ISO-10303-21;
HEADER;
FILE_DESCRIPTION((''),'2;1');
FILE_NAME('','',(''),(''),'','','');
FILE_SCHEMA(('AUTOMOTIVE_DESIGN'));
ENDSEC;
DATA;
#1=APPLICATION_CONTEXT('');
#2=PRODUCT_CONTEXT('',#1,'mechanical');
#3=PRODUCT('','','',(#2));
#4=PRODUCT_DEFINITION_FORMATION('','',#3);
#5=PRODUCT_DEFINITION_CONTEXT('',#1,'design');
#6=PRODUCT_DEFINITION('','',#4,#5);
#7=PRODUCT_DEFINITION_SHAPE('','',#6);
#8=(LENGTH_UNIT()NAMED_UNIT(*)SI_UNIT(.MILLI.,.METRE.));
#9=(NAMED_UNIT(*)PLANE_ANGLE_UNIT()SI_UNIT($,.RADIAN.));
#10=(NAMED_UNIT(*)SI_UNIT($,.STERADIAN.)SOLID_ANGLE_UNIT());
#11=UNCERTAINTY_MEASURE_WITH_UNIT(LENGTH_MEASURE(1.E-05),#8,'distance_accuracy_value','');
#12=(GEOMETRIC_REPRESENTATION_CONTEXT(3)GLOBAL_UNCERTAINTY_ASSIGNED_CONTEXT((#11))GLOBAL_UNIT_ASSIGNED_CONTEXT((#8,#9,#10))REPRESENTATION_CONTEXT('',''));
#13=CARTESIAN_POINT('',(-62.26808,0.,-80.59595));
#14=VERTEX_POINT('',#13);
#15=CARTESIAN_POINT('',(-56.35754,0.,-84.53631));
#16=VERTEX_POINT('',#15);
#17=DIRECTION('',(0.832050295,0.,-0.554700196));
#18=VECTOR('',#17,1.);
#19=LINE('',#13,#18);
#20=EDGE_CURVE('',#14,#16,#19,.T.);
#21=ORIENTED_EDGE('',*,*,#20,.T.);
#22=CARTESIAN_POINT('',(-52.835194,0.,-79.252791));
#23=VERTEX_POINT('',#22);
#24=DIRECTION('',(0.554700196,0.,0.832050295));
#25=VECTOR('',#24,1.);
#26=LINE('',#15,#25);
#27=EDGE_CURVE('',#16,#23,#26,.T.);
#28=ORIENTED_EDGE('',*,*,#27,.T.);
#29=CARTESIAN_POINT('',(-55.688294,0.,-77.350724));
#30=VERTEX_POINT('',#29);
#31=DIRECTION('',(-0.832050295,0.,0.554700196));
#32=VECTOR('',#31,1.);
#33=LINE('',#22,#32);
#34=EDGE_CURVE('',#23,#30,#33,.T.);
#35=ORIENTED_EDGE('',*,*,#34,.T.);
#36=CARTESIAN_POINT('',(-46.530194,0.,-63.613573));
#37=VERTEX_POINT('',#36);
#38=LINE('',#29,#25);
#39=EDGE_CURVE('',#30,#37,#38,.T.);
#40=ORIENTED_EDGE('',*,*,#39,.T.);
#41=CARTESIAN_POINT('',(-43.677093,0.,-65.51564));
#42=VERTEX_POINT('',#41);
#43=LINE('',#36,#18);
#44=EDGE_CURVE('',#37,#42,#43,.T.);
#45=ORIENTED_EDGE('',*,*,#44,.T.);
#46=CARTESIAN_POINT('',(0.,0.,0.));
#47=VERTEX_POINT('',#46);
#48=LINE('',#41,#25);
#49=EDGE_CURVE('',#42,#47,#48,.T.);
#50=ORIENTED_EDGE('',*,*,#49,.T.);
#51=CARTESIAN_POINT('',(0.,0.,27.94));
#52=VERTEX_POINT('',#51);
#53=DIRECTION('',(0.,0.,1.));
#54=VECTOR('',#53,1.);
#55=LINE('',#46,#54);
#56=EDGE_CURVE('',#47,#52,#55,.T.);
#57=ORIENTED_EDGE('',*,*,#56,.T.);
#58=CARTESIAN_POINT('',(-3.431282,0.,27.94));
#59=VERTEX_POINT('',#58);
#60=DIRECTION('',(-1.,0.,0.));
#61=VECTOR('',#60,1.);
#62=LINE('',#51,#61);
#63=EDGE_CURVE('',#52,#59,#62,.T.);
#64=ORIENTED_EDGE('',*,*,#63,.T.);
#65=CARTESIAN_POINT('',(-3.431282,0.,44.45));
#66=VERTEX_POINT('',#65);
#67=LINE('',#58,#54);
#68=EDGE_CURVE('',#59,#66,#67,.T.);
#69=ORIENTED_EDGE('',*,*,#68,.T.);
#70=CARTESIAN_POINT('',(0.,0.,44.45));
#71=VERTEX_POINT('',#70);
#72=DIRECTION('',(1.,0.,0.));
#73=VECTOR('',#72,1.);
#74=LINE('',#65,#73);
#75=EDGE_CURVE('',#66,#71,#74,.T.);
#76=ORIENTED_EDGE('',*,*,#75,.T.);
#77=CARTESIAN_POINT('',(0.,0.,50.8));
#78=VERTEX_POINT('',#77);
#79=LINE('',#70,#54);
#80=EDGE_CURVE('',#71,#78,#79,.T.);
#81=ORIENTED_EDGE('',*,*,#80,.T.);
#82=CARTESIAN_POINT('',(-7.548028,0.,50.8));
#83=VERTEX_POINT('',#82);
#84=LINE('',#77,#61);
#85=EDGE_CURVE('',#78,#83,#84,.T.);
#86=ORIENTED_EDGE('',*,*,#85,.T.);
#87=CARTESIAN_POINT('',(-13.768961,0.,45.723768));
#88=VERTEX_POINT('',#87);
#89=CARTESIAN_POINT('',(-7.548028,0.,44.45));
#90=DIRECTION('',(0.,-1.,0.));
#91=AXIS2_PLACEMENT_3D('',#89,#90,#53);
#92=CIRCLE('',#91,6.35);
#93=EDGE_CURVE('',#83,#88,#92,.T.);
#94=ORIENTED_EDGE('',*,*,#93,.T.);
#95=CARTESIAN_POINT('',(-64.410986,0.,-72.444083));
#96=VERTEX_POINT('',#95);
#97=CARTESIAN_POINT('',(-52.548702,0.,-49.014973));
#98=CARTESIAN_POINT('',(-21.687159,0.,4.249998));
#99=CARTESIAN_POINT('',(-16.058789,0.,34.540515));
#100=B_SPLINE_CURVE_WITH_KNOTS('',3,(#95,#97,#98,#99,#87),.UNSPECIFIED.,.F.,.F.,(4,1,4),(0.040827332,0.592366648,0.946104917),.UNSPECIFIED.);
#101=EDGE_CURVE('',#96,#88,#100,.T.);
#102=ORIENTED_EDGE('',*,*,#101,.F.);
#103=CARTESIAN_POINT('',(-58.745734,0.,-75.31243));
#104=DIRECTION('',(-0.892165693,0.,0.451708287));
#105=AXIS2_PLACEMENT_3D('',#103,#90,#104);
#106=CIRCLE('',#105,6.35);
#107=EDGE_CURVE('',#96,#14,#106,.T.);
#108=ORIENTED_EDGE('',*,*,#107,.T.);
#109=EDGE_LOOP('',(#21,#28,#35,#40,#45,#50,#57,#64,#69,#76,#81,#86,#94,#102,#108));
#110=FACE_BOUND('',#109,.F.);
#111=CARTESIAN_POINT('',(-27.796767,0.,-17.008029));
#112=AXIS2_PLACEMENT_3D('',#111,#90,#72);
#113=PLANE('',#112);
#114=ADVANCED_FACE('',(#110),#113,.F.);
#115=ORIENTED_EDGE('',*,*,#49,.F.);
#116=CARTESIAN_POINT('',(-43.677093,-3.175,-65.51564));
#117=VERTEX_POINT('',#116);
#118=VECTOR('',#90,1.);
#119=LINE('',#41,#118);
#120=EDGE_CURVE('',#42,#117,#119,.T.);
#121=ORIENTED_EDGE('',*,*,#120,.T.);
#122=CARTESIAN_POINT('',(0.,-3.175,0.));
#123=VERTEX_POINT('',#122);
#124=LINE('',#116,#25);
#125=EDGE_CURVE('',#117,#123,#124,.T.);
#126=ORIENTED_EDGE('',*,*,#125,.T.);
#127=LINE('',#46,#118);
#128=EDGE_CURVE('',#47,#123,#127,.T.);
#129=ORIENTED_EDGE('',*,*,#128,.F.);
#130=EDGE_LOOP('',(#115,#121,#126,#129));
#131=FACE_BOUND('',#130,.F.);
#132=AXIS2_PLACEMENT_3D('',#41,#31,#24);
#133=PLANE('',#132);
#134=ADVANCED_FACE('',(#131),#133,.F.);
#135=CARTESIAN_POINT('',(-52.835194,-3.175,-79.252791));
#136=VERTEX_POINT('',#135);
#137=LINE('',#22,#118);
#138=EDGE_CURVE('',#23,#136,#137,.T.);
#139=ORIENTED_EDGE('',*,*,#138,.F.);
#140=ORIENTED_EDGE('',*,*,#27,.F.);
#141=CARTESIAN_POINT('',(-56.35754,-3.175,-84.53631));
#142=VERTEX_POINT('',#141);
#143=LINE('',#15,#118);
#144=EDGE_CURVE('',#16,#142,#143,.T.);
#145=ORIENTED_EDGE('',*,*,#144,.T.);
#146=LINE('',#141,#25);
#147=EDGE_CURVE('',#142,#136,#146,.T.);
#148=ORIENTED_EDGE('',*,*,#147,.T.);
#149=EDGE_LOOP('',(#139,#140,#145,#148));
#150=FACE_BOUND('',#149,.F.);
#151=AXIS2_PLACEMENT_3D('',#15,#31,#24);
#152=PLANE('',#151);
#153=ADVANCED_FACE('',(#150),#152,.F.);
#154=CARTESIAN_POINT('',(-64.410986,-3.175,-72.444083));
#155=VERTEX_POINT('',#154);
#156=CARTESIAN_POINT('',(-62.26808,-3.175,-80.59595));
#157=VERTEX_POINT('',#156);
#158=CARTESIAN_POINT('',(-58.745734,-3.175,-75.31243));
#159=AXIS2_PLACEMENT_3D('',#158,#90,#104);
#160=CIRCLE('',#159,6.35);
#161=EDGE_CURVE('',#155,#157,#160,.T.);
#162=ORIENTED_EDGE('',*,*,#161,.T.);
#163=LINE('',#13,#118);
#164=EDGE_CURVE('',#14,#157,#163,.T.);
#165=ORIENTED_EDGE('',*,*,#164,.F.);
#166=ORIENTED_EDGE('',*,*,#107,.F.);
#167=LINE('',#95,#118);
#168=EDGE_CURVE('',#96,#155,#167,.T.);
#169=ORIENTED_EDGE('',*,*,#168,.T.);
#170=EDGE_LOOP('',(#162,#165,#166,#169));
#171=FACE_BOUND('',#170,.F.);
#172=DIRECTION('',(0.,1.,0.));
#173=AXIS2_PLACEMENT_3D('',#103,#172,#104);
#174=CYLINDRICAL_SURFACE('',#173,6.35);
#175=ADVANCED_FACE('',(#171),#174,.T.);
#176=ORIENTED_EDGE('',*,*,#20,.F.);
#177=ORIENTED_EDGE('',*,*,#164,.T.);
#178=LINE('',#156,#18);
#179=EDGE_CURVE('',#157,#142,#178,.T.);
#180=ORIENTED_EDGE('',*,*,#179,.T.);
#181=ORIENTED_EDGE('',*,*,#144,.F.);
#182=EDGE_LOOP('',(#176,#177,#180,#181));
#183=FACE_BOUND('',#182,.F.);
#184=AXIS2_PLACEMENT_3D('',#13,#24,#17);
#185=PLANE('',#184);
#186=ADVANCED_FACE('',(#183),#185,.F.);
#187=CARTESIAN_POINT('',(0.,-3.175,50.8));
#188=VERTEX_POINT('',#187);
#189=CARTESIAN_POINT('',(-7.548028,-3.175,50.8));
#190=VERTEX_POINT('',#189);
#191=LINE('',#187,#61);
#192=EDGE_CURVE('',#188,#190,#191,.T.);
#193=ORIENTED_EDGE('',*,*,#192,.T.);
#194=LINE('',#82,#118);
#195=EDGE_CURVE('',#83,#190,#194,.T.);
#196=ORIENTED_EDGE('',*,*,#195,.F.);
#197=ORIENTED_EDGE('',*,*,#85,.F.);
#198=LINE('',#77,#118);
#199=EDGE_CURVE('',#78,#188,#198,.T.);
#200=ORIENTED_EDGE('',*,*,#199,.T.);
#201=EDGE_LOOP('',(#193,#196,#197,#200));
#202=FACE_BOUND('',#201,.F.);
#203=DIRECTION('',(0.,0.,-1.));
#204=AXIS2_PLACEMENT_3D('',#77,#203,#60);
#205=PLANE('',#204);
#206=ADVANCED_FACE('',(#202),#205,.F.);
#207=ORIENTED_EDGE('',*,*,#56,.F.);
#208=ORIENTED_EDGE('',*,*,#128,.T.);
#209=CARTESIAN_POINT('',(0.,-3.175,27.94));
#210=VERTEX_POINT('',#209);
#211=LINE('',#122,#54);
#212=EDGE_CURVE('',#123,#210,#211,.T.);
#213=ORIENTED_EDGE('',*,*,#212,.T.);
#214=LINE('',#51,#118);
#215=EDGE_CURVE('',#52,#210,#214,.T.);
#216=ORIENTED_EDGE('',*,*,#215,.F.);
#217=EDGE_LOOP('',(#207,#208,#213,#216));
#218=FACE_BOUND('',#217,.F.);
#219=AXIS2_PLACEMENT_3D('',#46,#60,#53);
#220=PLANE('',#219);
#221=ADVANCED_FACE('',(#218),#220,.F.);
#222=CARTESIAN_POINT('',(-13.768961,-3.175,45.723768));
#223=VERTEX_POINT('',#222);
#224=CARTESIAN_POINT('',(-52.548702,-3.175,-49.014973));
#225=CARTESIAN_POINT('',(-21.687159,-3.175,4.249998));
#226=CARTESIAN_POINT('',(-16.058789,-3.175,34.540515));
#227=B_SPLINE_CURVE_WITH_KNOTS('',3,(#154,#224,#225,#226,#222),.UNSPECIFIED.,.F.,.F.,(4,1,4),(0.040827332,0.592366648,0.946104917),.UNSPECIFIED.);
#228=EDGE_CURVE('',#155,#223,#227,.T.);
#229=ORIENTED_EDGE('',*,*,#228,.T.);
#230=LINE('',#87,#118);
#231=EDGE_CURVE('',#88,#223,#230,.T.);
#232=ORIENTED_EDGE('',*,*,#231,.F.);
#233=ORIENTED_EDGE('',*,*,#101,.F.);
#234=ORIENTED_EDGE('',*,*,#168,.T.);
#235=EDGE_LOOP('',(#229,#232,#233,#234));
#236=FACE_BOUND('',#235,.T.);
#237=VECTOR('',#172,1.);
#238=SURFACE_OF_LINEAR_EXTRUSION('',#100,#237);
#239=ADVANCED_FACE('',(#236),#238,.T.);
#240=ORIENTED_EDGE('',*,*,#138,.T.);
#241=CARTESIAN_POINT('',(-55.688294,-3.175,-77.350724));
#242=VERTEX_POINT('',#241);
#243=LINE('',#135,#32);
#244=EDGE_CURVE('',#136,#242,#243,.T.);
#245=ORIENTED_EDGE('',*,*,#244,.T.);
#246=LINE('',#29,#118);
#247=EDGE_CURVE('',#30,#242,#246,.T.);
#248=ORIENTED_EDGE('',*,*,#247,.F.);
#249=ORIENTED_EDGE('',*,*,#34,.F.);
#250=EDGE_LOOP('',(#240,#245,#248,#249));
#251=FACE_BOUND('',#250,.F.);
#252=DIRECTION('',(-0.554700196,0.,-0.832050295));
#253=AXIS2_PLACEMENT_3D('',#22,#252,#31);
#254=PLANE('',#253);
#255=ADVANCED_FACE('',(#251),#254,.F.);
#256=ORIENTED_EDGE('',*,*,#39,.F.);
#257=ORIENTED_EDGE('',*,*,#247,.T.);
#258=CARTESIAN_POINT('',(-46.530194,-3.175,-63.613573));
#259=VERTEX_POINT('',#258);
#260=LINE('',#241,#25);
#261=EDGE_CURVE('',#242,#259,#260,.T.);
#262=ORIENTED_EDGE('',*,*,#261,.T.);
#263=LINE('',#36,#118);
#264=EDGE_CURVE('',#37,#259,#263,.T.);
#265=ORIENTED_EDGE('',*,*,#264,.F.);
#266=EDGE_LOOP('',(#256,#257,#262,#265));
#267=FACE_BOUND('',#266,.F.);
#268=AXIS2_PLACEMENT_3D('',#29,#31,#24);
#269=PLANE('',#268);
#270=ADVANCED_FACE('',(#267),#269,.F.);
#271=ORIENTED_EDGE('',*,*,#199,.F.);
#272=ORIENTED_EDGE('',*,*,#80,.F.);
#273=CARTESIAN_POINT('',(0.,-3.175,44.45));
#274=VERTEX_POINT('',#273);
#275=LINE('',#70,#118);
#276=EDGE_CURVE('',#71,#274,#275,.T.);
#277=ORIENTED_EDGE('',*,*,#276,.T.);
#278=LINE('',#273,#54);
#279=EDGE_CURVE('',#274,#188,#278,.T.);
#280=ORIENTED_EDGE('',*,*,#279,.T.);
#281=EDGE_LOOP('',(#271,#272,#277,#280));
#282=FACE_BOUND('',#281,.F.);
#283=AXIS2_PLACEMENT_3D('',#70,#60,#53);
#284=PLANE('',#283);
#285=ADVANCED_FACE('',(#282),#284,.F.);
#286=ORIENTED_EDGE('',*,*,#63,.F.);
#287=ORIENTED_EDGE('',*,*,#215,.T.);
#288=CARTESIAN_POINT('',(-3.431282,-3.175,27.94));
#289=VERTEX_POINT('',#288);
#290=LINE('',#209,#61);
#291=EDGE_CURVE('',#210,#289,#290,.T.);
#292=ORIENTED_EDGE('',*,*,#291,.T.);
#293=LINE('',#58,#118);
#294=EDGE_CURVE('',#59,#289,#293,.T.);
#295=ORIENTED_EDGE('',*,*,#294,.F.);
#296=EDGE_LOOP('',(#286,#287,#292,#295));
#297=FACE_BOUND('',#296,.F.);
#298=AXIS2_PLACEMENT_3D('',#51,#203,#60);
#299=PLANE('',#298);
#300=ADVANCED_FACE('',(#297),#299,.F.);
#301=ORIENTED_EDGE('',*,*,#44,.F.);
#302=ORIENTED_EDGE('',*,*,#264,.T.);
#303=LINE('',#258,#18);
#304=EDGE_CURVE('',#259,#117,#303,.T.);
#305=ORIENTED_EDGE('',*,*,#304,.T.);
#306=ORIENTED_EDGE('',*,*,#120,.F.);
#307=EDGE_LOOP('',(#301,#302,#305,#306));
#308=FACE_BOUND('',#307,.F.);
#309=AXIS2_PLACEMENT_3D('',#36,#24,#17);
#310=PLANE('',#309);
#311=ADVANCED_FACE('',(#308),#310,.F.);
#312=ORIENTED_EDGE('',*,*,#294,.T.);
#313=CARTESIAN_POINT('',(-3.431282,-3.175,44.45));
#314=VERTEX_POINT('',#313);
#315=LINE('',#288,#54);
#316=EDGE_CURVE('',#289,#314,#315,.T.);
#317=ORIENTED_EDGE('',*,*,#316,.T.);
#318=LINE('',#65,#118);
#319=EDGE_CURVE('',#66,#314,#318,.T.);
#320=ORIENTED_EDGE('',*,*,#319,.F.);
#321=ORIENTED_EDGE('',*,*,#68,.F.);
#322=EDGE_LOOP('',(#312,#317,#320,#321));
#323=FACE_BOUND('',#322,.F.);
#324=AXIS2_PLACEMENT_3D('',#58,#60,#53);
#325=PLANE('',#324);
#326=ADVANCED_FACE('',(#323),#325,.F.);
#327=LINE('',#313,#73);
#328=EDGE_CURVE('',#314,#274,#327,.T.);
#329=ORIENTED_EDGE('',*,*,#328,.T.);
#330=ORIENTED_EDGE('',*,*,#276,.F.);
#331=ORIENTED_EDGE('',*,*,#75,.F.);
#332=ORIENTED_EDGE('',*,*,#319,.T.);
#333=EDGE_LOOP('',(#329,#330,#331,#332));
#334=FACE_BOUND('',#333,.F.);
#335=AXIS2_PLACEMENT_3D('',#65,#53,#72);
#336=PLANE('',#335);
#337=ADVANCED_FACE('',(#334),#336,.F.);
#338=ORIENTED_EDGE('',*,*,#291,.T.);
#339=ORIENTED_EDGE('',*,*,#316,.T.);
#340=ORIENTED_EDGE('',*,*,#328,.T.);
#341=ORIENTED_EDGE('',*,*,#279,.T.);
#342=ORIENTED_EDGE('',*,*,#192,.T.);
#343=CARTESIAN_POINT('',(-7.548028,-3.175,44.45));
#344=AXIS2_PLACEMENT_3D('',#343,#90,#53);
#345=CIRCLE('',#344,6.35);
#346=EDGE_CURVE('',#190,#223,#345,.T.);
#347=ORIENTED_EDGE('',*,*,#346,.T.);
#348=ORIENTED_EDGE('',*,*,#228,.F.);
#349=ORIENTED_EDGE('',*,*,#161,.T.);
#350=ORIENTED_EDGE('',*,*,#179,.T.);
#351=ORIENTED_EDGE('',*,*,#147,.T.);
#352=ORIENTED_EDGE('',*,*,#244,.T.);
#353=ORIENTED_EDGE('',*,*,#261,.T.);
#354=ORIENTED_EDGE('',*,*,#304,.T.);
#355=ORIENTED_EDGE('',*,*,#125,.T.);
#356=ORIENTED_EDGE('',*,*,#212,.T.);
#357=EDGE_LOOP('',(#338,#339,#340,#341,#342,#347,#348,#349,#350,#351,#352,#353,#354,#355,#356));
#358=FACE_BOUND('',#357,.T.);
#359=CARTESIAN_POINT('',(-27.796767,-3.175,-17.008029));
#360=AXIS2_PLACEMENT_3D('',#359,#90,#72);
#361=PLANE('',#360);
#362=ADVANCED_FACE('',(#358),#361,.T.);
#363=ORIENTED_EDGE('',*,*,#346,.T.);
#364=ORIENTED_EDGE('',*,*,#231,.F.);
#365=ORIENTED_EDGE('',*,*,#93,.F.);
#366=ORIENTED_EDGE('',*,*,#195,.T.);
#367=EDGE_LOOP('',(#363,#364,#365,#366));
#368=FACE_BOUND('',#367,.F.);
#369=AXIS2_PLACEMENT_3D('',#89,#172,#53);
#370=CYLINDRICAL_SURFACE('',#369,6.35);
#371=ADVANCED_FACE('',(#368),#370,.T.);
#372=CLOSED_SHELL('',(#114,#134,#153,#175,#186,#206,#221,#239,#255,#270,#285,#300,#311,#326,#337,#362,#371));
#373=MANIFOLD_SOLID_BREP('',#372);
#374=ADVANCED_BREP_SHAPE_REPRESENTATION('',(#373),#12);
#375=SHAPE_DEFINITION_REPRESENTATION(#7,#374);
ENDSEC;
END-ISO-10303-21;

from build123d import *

# Parameters (mm, degrees)
F1_DEPTH = 3.175


with BuildPart() as f1:
    # F0 (on Front) → F1 (new body)
    with BuildSketch(Plane.XZ):
        with BuildLine():
            Line((0, 44.45), (0, 50.8))
            Line((0, 50.8), (-7.5480276247, 50.8))
            ThreePointArc((-7.5480276247, 50.8), (-11.562630681, 49.3699047044), (-13.7689613138, 45.7237676536))
            add(Edge.make_bspline(
                [(-64.410986219, -72.4440826605), (-52.5487020452, -49.0149730571), (-21.6871593471, 4.2499979949), (-16.0587888167, 34.5405153431), (-13.7689613138, 45.7237676536)],
                knots=[0.0408273323, 0.0408273323, 0.0408273323, 0.0408273323, 0.5923666484, 0.9461049167, 0.9461049167, 0.9461049167, 0.9461049167], degree=3))
            ThreePointArc((-64.410986219, -72.4440826605), (-64.8870877436, -76.926826479), (-62.2680803146, -80.5959496565))
            Line((-62.2680803146, -80.5959496565), (-56.3575398982, -84.5363099303))
            Line((-56.3575398982, -84.5363099303), (-52.8351936545, -79.2527905596))
            Line((-52.8351936545, -79.2527905596), (-55.6882941147, -77.3507235881))
            Line((-55.6882941147, -77.3507235881), (-46.5301938812, -63.6135732244))
            Line((-46.5301938812, -63.6135732244), (-43.6770934211, -65.515640196))
            Line((-43.6770934211, -65.515640196), (0, 0))
            Line((0, 0), (0, 27.94))
            Line((0, 27.94), (-3.4312817734, 27.94))
            Line((-3.4312817734, 27.94), (-3.4312817734, 44.45))
            Line((-3.4312817734, 44.45), (0, 44.45))
        make_face()
    extrude(amount=F1_DEPTH)


solid = f1.part
